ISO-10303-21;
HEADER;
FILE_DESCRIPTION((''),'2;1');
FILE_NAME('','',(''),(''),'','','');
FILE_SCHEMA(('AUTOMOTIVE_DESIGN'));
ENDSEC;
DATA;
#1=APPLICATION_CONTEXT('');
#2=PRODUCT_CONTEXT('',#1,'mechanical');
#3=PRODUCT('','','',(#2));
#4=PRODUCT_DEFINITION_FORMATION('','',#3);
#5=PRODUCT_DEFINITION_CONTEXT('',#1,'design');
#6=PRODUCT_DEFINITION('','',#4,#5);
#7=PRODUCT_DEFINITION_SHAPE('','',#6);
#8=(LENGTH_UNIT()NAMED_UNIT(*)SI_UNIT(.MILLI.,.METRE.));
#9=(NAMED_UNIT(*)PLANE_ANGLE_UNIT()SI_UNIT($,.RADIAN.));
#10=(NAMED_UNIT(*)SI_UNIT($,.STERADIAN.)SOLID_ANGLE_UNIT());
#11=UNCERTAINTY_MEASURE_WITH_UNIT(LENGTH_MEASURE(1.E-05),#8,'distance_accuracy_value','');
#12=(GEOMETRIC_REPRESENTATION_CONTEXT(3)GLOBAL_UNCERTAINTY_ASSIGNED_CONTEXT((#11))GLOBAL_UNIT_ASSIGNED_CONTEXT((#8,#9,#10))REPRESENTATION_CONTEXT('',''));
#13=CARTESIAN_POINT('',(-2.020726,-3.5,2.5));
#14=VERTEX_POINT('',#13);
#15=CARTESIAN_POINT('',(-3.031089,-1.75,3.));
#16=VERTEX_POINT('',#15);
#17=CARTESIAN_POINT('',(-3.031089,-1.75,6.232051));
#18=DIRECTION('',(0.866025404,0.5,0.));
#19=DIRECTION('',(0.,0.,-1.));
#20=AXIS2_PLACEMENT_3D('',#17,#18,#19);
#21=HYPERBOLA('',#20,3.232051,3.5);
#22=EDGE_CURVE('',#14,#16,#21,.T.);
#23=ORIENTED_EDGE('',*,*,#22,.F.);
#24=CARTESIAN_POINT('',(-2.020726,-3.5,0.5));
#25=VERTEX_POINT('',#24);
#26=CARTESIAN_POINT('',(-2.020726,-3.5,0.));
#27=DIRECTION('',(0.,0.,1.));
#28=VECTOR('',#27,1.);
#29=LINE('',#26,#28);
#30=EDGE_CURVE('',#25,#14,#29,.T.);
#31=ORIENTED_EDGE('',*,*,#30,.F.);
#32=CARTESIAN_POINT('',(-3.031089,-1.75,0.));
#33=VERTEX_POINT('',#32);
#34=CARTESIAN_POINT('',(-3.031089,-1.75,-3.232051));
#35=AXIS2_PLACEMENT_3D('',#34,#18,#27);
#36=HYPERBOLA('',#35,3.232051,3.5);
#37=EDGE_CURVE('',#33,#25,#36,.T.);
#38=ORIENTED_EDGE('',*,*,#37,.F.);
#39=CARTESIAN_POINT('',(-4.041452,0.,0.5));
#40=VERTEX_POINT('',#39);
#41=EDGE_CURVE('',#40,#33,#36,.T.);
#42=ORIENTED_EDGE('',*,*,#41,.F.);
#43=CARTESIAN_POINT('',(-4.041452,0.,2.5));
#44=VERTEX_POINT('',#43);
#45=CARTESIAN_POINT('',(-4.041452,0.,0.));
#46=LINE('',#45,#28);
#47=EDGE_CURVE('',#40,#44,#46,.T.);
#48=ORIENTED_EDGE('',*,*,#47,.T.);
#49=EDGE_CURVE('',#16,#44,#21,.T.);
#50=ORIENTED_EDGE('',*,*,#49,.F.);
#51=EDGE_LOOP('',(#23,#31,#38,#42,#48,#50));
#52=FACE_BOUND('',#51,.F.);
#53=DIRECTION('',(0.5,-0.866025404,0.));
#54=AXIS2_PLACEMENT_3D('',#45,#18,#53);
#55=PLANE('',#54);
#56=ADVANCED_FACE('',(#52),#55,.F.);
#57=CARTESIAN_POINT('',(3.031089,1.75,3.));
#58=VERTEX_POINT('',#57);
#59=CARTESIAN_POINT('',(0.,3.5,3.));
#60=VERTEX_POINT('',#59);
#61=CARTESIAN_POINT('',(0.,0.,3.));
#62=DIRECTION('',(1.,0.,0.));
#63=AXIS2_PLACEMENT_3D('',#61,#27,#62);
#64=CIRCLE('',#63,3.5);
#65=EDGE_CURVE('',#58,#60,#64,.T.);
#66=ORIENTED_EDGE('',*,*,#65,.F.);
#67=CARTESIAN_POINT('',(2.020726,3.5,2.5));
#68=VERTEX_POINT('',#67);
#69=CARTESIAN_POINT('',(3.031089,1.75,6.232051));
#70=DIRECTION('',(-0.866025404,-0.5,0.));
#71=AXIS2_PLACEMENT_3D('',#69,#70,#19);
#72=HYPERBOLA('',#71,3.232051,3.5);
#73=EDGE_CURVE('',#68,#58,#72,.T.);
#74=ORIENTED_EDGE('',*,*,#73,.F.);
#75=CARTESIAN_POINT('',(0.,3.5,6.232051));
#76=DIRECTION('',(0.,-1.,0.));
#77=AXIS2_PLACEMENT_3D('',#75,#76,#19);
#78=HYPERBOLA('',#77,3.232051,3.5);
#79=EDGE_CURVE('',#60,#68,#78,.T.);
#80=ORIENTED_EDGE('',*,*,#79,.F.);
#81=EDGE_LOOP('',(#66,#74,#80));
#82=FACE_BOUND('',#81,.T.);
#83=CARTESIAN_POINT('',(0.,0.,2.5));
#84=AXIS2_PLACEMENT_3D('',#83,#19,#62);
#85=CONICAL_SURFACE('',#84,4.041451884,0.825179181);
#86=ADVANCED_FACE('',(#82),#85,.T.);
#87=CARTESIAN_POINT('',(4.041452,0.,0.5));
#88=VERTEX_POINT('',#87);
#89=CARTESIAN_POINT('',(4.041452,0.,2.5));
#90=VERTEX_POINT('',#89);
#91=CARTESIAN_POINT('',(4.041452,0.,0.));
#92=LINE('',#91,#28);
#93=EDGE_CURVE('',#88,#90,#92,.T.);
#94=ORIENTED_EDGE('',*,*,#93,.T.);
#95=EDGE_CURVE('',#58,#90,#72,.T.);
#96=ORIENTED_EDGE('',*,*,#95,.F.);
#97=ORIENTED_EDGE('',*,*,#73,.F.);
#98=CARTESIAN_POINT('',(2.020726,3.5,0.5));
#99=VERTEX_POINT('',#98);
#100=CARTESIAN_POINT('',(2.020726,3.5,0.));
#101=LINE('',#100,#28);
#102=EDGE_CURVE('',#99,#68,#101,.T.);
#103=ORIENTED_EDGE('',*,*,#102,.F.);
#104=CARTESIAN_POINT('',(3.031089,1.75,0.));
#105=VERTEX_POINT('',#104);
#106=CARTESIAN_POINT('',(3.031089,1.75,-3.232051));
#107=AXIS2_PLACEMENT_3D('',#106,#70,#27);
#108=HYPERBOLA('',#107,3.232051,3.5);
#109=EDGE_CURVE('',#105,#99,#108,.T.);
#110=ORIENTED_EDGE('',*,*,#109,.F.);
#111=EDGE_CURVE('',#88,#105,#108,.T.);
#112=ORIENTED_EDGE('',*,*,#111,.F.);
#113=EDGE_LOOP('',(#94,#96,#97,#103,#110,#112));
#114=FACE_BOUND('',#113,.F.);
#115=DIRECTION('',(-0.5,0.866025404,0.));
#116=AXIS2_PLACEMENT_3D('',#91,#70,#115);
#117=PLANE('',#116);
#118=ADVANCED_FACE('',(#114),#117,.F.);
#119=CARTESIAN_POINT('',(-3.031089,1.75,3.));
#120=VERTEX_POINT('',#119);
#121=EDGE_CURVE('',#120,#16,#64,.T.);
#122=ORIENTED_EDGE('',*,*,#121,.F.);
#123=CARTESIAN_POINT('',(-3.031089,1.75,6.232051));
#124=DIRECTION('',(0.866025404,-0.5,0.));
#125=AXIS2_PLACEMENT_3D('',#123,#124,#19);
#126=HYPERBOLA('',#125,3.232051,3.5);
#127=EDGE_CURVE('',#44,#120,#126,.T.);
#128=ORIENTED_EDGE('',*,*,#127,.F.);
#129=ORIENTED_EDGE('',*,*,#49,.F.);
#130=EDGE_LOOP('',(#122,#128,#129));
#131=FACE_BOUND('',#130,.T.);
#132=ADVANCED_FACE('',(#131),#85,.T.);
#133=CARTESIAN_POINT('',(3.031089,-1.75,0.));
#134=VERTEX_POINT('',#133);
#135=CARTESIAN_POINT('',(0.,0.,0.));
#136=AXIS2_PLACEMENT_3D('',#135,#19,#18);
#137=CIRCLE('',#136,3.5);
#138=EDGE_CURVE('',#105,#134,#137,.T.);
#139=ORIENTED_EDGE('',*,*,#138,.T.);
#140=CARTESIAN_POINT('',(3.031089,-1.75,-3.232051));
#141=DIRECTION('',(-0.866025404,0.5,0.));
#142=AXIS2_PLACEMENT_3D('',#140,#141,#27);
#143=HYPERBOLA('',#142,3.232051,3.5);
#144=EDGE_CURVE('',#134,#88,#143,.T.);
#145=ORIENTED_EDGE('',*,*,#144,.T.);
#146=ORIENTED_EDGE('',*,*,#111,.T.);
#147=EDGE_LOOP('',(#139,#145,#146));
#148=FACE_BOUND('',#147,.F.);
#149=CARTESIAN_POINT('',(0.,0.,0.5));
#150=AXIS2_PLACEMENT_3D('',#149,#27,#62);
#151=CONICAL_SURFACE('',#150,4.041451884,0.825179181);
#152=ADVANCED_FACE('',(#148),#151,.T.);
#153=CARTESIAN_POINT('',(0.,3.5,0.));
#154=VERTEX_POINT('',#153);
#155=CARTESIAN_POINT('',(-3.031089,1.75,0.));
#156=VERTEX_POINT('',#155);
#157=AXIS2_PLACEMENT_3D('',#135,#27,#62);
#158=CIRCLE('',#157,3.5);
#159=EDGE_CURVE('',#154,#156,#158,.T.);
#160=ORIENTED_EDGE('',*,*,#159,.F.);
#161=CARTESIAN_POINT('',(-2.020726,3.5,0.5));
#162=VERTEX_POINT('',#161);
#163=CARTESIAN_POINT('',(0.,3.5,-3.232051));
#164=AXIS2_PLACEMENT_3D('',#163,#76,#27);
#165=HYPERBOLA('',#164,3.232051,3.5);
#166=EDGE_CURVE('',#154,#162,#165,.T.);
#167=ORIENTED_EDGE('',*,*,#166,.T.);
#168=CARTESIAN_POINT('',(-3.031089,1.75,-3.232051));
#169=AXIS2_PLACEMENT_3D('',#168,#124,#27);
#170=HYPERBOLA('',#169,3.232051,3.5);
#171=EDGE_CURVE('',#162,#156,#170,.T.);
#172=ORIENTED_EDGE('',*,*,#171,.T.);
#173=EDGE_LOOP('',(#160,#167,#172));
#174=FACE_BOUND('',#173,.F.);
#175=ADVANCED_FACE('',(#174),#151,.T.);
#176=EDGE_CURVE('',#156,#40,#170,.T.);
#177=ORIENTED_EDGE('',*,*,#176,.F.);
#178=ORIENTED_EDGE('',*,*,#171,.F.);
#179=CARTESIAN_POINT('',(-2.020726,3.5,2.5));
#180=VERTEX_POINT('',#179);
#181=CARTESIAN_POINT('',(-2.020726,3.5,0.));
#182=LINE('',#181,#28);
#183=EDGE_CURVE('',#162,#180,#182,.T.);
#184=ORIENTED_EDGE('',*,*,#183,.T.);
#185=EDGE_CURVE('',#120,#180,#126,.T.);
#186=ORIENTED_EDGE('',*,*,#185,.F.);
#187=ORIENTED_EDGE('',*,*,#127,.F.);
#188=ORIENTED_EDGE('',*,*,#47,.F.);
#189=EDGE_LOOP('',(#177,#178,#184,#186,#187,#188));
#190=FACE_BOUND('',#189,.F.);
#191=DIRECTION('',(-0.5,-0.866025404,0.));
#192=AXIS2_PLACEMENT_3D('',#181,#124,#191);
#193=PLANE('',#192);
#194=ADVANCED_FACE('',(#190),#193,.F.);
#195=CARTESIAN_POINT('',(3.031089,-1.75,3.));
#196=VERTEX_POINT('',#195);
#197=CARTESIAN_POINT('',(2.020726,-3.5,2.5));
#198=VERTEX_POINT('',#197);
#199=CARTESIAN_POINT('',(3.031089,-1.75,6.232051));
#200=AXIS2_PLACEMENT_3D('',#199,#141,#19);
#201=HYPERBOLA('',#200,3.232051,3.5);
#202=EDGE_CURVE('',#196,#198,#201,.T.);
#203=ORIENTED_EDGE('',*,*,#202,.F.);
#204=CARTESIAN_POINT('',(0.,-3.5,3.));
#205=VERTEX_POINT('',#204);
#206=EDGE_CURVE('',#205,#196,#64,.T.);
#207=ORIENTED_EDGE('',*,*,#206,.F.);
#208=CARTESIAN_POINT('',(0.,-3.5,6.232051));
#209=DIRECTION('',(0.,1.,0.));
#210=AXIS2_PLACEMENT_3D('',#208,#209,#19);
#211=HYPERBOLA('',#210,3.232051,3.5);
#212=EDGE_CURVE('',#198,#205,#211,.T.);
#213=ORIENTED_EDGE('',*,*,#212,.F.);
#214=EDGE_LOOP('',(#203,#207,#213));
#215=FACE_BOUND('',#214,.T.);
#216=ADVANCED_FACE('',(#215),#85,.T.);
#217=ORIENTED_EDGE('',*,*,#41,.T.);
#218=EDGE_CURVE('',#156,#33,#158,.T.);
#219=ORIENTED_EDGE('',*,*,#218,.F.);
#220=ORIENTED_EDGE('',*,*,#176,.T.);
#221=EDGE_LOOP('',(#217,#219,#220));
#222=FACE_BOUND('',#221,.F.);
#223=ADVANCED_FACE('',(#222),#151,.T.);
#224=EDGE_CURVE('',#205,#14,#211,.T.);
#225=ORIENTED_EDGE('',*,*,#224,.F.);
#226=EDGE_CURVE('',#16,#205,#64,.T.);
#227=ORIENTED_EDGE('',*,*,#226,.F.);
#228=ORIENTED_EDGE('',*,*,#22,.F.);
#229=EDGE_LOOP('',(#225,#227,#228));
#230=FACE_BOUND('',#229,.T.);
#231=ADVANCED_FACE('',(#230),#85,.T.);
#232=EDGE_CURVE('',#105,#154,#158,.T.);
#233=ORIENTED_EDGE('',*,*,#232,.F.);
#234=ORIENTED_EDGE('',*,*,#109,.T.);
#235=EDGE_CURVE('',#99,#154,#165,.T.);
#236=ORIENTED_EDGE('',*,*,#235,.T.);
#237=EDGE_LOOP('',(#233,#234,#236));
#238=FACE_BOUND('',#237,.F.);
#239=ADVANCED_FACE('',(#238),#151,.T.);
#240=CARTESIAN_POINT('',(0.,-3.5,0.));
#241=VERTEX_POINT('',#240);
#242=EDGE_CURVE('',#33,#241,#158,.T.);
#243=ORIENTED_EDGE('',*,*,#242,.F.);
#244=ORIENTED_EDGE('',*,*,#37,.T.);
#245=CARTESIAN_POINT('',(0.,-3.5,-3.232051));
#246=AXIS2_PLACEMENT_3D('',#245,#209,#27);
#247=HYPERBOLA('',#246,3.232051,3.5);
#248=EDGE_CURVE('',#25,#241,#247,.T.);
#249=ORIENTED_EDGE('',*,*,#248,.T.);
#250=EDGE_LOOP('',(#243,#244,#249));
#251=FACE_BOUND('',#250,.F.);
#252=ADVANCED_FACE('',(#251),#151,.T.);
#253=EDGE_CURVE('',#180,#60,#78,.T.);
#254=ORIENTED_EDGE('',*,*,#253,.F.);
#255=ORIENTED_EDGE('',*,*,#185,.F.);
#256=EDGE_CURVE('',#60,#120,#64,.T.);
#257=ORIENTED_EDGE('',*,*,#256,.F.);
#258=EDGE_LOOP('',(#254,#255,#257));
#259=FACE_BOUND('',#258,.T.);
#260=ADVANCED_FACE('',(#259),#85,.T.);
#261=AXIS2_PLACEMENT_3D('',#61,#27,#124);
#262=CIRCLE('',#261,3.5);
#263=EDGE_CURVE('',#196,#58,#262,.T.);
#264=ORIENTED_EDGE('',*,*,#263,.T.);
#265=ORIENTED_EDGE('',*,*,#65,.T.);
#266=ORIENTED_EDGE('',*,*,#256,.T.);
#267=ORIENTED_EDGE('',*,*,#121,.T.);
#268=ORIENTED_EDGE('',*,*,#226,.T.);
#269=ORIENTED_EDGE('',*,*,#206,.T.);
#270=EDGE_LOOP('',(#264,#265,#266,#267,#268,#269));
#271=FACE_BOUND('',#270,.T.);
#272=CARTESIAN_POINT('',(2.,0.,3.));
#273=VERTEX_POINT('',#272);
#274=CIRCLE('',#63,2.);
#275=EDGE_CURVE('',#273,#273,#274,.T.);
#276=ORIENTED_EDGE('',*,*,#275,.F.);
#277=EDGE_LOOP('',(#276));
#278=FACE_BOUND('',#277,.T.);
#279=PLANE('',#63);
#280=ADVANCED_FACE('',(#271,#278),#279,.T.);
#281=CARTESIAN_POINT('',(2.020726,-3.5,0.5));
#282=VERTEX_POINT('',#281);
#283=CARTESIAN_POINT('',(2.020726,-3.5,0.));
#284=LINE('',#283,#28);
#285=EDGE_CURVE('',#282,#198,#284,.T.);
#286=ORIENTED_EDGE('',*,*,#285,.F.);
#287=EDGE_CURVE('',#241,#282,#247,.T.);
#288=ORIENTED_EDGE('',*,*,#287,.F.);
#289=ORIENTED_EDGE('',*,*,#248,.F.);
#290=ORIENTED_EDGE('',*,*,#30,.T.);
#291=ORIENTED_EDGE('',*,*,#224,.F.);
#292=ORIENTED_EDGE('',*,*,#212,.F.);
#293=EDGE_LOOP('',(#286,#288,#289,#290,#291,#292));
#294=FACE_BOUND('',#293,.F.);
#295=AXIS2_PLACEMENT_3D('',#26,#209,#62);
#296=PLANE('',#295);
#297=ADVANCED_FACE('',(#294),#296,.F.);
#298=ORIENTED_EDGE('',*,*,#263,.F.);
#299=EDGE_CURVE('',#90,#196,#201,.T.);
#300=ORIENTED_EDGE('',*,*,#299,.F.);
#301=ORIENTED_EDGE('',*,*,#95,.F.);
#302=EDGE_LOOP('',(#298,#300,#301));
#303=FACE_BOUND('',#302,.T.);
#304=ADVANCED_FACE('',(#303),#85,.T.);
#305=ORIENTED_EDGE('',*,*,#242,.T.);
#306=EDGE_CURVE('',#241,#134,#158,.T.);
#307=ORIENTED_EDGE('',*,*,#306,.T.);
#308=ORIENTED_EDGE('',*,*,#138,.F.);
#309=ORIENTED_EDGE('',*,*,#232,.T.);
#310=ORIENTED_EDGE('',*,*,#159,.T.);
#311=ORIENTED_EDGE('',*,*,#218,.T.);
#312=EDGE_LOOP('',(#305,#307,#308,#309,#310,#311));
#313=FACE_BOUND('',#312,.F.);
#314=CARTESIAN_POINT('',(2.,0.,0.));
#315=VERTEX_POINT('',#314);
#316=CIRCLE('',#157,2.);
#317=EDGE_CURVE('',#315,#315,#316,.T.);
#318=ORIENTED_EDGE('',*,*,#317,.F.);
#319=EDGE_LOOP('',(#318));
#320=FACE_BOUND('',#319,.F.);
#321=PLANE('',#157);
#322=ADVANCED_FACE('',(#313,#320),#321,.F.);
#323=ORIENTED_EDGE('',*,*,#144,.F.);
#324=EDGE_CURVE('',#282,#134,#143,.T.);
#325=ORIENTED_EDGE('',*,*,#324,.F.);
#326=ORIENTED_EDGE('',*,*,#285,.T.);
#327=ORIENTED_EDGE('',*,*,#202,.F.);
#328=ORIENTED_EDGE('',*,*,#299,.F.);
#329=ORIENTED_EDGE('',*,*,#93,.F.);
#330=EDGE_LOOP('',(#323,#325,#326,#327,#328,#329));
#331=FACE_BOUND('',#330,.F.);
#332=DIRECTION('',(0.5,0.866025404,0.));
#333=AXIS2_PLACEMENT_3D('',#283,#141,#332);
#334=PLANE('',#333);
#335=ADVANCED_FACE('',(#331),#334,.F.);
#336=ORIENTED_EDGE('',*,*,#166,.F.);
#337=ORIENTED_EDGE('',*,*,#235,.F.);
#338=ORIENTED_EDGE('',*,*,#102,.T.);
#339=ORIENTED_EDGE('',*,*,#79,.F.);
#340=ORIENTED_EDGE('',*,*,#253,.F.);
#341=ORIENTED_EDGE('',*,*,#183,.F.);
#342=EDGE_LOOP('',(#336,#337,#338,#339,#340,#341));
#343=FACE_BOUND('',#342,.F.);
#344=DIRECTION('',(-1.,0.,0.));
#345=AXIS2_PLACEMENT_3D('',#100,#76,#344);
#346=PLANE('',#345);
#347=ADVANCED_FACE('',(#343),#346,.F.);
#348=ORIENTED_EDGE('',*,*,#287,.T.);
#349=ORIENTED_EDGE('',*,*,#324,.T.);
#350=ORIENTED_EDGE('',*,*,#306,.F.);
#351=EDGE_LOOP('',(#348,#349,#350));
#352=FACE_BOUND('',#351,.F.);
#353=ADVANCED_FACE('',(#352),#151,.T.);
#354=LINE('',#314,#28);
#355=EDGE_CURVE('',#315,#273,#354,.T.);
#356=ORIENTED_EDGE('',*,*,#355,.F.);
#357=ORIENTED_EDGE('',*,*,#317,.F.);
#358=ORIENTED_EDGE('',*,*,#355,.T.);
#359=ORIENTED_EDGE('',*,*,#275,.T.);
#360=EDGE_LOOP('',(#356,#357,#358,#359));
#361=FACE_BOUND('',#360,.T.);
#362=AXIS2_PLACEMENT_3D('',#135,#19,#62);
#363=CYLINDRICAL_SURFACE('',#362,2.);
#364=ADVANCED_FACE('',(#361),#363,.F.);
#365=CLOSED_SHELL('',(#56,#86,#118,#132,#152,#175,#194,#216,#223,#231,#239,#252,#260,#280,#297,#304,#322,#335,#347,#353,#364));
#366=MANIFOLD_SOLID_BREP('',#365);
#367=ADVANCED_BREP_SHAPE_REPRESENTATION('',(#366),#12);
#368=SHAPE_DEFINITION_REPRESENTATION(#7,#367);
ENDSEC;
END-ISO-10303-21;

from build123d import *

# Parameters (mm, degrees)
SKETCH1_R           = 2
BOSS_EXTRUDE1_DEPTH = 3


with BuildPart() as part:
    # Sketch1 → Boss-Extrude1 (new body)
    with BuildSketch(Plane.XY):
        Polygon((-4.041451884, 0), (-2.020725942, -3.5), (2.020725942, -3.5), (4.041451884, 0), (2.020725942, 3.5), (-2.020725942, 3.5), align=None)
        Circle(SKETCH1_R, mode=Mode.SUBTRACT)
    extrude(amount=BOSS_EXTRUDE1_DEPTH)

    # Sketch3 → Cut-Revolve1 (revolve, cut)
    with BuildSketch(Plane(origin=(0, 0, 0), x_dir=(1, 0, 0), z_dir=(0, 1, 0))):
        Polygon((4.041451884, -3), (4.041451884, -2.5), (3.5, -3), align=None)
        Polygon((3.5, 0), (4.041451884, 0), (4.041451884, -0.5), align=None)
    revolve(axis=Axis((0, 0, 0), (0, 0, 1)), mode=Mode.SUBTRACT)


solid = part.part
